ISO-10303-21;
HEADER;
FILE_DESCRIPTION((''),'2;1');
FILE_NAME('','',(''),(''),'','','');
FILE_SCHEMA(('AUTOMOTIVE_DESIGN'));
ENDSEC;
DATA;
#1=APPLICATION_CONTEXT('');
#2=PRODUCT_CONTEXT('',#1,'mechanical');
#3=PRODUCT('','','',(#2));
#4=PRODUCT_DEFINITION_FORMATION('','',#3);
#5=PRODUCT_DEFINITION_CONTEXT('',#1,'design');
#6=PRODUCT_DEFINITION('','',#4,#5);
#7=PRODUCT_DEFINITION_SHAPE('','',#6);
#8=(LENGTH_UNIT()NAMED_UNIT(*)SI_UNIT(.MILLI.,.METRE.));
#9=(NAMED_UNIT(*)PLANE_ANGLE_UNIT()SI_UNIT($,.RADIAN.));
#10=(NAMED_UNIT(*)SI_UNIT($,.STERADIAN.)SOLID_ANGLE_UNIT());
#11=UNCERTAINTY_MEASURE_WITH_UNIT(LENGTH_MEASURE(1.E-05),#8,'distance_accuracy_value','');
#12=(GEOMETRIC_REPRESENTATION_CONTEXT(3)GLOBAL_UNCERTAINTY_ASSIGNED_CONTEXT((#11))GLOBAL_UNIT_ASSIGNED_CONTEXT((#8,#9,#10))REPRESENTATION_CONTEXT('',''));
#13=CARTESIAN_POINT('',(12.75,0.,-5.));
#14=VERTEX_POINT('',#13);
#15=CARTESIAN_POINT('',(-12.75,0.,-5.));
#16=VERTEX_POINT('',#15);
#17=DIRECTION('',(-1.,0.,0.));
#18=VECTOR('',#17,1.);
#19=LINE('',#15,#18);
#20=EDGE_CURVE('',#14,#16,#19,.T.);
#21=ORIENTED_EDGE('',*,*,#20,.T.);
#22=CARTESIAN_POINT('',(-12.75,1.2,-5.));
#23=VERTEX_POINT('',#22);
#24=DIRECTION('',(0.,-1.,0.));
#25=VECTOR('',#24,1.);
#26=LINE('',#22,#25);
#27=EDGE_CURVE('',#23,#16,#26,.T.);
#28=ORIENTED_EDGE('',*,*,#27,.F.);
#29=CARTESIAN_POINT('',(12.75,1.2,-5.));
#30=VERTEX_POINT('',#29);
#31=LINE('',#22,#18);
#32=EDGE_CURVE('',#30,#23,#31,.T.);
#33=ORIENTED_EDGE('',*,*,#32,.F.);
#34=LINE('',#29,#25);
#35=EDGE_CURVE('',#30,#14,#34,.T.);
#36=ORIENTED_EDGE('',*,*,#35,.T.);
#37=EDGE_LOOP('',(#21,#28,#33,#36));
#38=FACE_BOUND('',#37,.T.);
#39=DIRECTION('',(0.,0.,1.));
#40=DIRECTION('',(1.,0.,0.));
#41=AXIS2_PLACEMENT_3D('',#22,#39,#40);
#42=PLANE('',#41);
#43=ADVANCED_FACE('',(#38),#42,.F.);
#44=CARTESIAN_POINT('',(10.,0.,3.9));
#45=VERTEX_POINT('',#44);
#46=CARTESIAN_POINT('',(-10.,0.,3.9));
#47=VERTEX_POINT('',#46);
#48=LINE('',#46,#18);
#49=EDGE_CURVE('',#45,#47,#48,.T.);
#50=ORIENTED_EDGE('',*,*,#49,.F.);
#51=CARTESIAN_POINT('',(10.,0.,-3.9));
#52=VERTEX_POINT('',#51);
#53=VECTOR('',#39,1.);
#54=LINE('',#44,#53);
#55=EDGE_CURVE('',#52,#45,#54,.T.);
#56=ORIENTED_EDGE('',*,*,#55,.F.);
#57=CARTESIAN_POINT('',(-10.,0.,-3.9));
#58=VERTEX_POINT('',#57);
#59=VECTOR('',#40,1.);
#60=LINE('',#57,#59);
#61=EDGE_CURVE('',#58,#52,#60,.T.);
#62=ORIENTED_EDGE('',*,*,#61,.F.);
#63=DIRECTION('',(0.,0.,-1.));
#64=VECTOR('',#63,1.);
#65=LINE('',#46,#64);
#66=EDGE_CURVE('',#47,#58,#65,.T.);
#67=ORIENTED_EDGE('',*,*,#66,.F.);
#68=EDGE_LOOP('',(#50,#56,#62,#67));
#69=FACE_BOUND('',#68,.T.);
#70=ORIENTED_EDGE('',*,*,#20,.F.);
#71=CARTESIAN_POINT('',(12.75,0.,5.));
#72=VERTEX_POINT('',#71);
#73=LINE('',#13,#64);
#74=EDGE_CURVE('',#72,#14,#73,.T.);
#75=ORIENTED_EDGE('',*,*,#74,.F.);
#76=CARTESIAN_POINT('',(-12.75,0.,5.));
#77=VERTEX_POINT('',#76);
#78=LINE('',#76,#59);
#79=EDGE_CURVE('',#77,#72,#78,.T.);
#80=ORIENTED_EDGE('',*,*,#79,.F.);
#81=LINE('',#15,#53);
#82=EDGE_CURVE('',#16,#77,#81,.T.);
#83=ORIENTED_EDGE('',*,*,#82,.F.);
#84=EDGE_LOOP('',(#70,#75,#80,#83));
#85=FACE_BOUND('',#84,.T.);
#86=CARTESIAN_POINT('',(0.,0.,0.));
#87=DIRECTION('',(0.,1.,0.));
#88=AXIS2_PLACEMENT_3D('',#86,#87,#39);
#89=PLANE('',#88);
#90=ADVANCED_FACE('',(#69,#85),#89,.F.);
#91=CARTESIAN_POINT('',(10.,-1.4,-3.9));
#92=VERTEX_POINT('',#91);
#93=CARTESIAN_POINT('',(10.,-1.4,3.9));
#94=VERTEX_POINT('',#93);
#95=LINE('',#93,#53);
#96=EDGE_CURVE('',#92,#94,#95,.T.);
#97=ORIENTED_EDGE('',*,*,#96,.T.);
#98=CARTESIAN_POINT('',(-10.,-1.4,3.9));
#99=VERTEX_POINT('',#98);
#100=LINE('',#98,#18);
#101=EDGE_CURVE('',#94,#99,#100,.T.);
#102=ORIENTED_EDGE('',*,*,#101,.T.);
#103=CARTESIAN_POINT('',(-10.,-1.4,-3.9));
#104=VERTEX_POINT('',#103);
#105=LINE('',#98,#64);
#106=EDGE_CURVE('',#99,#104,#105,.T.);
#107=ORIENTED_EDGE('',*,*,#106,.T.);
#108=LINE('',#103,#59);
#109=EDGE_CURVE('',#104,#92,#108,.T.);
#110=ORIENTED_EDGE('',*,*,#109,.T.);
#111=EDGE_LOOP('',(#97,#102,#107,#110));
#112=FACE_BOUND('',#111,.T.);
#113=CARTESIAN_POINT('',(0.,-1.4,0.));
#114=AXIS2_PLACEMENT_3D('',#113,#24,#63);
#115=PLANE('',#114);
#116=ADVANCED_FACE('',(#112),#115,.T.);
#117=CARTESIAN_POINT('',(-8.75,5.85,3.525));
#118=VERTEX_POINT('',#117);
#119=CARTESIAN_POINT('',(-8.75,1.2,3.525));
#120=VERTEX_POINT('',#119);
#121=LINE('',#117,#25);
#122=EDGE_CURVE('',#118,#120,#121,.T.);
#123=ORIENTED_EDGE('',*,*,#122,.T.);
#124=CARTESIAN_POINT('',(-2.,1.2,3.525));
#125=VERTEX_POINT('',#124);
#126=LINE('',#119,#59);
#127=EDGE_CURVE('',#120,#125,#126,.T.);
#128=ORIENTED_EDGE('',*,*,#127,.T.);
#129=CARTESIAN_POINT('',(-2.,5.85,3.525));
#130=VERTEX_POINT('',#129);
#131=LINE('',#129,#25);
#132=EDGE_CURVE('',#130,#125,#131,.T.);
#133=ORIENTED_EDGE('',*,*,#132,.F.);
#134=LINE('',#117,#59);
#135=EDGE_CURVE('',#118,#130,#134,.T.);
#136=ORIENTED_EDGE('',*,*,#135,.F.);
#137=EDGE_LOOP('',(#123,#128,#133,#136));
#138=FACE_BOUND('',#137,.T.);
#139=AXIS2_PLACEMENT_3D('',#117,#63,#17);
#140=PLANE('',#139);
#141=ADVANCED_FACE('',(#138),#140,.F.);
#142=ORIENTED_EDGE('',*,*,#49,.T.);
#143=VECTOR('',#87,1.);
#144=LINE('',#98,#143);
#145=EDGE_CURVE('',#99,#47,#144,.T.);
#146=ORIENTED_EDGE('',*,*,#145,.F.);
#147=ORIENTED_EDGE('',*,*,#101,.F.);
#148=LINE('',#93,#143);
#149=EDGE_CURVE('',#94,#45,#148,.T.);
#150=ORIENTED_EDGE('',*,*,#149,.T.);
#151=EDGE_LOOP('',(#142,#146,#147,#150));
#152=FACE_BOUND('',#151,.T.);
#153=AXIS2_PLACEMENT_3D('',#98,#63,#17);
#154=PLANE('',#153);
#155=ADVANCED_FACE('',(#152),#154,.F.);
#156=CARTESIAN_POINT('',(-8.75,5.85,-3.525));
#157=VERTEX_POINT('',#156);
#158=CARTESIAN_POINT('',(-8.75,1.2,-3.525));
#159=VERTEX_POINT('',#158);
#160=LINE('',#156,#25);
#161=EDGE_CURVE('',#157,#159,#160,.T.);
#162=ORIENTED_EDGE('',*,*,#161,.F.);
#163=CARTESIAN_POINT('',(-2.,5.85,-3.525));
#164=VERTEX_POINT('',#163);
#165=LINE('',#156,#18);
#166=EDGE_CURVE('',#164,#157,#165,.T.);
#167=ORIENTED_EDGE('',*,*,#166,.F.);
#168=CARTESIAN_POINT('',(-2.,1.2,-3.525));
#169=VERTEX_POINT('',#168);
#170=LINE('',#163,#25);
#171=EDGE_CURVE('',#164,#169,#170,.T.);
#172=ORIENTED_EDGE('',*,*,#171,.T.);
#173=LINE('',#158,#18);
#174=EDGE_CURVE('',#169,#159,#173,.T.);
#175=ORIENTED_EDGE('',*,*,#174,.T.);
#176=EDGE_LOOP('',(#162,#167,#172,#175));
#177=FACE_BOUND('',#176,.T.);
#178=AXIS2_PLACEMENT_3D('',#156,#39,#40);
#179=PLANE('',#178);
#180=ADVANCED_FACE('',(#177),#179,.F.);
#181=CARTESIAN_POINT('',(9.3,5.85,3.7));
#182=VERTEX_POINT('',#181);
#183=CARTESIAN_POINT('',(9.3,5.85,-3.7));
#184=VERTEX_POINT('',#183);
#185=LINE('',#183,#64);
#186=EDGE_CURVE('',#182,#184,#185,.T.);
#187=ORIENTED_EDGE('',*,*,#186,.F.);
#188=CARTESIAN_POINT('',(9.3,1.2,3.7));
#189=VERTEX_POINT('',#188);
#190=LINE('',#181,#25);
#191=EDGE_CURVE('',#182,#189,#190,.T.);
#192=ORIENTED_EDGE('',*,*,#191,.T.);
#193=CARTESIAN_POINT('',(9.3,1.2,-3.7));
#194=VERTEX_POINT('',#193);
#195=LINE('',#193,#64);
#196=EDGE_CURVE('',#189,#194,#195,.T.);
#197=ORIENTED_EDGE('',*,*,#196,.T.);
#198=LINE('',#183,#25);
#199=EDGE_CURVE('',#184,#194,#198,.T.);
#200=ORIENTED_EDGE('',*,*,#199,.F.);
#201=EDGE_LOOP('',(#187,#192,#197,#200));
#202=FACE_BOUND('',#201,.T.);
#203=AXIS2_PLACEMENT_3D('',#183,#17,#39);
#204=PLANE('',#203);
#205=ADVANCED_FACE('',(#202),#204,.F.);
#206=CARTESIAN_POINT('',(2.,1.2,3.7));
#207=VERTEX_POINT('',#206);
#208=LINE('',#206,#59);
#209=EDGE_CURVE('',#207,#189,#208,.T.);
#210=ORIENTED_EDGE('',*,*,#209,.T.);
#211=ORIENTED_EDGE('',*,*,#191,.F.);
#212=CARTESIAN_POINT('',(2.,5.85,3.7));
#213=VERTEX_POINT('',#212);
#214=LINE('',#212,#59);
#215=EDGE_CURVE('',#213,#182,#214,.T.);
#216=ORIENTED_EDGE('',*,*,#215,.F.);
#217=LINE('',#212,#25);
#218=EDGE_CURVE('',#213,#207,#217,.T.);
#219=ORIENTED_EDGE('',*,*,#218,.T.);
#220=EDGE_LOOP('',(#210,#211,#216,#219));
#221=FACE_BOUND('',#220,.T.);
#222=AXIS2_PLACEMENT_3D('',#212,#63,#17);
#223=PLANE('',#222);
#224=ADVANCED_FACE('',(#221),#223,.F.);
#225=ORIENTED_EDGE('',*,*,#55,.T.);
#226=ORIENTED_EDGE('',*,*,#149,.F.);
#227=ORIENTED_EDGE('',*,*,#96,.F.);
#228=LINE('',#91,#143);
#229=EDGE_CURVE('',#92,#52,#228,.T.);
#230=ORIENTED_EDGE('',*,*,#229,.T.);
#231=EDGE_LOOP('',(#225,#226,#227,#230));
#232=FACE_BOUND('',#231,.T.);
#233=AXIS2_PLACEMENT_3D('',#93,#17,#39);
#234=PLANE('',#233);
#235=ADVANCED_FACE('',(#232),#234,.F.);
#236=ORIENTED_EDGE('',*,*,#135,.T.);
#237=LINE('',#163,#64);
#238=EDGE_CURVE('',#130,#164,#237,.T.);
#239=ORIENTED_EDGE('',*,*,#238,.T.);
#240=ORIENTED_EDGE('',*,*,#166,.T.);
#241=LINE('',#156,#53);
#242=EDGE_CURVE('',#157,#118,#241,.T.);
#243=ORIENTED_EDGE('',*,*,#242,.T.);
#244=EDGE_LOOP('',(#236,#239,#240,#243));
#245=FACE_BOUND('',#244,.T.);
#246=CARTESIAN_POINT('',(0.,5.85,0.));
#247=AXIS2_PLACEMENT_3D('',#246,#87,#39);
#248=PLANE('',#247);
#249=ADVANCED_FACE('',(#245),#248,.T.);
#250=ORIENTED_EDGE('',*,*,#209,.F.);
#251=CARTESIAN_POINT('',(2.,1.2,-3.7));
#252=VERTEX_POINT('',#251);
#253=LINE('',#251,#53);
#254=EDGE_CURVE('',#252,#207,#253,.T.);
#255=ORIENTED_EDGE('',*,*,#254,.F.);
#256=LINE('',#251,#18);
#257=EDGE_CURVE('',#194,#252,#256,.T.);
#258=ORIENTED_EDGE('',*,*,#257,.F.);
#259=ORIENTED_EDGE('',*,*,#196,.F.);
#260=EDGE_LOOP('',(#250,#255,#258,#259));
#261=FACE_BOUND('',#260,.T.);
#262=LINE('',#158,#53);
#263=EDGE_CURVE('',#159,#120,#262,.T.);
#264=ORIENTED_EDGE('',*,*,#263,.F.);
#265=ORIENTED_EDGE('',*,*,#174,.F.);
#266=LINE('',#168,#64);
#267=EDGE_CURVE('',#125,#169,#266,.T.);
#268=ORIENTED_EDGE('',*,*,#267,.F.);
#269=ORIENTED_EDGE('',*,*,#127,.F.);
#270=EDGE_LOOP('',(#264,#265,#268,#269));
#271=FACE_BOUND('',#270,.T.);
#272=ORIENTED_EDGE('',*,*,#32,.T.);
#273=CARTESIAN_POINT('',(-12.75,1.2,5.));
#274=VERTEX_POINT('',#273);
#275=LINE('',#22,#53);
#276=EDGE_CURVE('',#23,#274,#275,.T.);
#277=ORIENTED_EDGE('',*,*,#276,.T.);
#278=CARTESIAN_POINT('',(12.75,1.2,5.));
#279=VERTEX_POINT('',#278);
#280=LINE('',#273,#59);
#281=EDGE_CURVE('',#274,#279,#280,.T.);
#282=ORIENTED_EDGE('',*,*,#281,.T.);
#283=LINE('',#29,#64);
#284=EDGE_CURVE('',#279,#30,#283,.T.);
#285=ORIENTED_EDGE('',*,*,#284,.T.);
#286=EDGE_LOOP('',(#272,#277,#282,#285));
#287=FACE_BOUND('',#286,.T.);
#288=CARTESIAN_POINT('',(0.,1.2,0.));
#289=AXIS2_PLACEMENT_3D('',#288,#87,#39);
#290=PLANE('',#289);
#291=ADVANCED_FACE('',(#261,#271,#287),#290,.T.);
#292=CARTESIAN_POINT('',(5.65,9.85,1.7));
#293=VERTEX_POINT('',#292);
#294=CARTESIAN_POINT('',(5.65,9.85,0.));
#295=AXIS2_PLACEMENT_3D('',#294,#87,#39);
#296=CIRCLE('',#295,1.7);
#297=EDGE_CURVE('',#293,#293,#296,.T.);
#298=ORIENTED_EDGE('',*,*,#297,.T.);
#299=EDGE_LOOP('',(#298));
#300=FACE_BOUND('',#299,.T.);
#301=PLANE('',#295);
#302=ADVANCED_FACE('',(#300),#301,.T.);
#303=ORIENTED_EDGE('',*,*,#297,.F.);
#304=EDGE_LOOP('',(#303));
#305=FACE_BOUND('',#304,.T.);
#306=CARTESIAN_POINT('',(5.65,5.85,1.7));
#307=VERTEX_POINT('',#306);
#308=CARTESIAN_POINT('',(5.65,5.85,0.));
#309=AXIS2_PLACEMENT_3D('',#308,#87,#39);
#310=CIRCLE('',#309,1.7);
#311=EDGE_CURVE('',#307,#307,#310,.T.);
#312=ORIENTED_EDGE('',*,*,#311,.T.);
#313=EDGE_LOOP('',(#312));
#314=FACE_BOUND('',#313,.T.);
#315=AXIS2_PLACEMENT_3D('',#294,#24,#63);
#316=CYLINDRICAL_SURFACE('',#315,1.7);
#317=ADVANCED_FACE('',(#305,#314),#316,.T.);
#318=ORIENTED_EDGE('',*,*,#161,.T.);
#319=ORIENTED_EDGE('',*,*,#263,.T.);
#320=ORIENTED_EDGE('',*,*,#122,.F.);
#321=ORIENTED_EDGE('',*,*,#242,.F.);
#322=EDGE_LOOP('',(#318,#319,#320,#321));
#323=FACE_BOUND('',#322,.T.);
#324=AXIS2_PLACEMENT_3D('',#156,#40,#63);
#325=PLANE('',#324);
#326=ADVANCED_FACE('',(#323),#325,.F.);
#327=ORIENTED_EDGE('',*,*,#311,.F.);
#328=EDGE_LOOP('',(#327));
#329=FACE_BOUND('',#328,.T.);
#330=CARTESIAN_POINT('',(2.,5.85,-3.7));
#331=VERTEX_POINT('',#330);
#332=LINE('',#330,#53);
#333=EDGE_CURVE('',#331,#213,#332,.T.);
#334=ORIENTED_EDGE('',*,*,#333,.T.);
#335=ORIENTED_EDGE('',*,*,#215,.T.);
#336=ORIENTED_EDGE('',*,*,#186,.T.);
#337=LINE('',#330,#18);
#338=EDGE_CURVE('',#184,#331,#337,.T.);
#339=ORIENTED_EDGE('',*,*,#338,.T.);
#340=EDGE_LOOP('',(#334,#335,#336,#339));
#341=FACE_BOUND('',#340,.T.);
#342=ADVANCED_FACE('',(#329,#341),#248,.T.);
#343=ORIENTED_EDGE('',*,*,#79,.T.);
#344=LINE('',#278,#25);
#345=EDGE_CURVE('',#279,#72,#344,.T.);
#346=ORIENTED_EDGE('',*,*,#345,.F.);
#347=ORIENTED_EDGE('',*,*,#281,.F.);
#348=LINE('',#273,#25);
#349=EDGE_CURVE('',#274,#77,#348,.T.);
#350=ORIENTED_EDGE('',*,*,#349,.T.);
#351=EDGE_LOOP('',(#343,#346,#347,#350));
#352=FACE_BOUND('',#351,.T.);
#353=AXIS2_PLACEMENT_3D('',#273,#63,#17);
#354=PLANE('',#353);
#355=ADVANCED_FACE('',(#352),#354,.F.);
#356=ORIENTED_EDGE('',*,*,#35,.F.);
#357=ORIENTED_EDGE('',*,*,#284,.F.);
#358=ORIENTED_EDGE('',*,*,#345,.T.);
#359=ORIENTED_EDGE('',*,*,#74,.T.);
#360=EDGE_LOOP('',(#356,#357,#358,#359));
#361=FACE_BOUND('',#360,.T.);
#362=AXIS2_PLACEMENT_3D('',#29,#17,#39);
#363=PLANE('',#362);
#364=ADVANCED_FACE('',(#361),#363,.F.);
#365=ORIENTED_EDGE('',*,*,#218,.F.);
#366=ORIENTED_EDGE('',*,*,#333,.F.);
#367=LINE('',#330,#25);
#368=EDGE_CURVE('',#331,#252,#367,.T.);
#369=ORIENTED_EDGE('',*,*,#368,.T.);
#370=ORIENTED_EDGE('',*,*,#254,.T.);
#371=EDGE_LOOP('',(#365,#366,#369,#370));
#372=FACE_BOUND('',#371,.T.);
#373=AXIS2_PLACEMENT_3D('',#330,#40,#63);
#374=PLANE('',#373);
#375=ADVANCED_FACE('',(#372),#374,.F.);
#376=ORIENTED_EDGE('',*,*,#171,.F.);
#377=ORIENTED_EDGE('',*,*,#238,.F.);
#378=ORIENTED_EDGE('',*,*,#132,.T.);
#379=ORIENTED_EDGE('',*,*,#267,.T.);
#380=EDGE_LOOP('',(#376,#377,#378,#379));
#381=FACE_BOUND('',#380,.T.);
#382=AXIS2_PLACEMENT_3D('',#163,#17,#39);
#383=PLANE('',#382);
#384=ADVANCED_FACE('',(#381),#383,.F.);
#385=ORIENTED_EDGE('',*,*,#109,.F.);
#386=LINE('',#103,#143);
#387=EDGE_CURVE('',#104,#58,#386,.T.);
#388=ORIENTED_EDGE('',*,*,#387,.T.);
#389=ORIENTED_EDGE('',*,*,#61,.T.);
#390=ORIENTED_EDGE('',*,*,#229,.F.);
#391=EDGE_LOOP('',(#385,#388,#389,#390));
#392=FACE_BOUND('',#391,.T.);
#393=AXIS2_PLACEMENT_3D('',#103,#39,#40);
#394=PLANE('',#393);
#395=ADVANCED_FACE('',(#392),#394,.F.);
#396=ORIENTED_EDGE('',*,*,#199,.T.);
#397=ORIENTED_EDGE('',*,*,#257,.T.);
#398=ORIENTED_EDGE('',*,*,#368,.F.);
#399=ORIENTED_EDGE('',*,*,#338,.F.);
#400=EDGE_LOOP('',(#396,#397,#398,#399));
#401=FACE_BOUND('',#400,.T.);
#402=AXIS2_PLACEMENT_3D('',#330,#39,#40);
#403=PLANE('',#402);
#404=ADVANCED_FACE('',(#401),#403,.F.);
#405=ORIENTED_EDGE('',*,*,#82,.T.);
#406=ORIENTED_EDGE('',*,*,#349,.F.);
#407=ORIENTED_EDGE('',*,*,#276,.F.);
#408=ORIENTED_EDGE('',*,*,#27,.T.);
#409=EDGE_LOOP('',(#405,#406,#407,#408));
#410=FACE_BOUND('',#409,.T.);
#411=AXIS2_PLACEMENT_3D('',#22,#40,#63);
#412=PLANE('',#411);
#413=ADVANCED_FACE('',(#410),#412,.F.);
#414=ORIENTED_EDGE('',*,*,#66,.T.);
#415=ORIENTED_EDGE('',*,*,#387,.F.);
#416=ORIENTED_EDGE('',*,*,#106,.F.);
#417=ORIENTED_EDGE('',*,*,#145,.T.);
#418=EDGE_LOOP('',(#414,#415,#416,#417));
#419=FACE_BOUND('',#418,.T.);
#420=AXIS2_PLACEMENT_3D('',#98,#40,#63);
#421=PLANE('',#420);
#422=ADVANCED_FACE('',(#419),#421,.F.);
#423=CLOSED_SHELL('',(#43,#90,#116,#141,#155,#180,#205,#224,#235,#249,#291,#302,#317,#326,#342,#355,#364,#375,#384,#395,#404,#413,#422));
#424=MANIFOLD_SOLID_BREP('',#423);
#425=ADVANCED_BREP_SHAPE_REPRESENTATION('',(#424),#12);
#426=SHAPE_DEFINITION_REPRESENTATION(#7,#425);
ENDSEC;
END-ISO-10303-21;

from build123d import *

# Parameters (mm, degrees)
SKETCH2_W           = 25.5
SKETCH2_H           = 10
BOSS_EXTRUDE1_DEPTH = 1.2
SKETCH4_W           = 6.75
SKETCH4_H           = 7.05
SKETCH4_W_2         = 7.3
SKETCH4_H_2         = 7.4
BOSS_EXTRUDE2_DEPTH = 4.65
SKETCH5_R           = 1.7
BOSS_EXTRUDE3_DEPTH = 4
SKETCH6_W           = 20
SKETCH6_H           = 7.8
BOSS_EXTRUDE4_DEPTH = 1.4


with BuildPart() as part:
    # Sketch2 → Boss-Extrude1 (new body)
    with BuildSketch(Plane(origin=(0, 0, 0), x_dir=(1, 0, 0), z_dir=(0, 1, 0))):
        Rectangle(SKETCH2_W, SKETCH2_H)
    extrude(amount=BOSS_EXTRUDE1_DEPTH)

    # Sketch4 → Boss-Extrude2 (add)
    with BuildSketch(Plane(origin=(0, 1.2, 0), x_dir=(1, 0, 0), z_dir=(0, 1, 0))):
        with Locations((-5.375, 0)):
            Rectangle(SKETCH4_W, SKETCH4_H)
        with Locations((5.65, 0)):
            Rectangle(SKETCH4_W_2, SKETCH4_H_2)
    extrude(amount=BOSS_EXTRUDE2_DEPTH)

    # Sketch5 → Boss-Extrude3 (add)
    with BuildSketch(Plane(origin=(0, 5.85, 0), x_dir=(1, 0, 0), z_dir=(0, 1, 0))):
        with Locations(Location((5.65, 0, 0), (0, 0, 270))):
            Circle(SKETCH5_R)
    extrude(amount=BOSS_EXTRUDE3_DEPTH)

    # Sketch6 → Boss-Extrude4 (add)
    with BuildSketch(Plane.XZ):
        Rectangle(SKETCH6_W, SKETCH6_H)
    extrude(amount=BOSS_EXTRUDE4_DEPTH)


solid = part.part
